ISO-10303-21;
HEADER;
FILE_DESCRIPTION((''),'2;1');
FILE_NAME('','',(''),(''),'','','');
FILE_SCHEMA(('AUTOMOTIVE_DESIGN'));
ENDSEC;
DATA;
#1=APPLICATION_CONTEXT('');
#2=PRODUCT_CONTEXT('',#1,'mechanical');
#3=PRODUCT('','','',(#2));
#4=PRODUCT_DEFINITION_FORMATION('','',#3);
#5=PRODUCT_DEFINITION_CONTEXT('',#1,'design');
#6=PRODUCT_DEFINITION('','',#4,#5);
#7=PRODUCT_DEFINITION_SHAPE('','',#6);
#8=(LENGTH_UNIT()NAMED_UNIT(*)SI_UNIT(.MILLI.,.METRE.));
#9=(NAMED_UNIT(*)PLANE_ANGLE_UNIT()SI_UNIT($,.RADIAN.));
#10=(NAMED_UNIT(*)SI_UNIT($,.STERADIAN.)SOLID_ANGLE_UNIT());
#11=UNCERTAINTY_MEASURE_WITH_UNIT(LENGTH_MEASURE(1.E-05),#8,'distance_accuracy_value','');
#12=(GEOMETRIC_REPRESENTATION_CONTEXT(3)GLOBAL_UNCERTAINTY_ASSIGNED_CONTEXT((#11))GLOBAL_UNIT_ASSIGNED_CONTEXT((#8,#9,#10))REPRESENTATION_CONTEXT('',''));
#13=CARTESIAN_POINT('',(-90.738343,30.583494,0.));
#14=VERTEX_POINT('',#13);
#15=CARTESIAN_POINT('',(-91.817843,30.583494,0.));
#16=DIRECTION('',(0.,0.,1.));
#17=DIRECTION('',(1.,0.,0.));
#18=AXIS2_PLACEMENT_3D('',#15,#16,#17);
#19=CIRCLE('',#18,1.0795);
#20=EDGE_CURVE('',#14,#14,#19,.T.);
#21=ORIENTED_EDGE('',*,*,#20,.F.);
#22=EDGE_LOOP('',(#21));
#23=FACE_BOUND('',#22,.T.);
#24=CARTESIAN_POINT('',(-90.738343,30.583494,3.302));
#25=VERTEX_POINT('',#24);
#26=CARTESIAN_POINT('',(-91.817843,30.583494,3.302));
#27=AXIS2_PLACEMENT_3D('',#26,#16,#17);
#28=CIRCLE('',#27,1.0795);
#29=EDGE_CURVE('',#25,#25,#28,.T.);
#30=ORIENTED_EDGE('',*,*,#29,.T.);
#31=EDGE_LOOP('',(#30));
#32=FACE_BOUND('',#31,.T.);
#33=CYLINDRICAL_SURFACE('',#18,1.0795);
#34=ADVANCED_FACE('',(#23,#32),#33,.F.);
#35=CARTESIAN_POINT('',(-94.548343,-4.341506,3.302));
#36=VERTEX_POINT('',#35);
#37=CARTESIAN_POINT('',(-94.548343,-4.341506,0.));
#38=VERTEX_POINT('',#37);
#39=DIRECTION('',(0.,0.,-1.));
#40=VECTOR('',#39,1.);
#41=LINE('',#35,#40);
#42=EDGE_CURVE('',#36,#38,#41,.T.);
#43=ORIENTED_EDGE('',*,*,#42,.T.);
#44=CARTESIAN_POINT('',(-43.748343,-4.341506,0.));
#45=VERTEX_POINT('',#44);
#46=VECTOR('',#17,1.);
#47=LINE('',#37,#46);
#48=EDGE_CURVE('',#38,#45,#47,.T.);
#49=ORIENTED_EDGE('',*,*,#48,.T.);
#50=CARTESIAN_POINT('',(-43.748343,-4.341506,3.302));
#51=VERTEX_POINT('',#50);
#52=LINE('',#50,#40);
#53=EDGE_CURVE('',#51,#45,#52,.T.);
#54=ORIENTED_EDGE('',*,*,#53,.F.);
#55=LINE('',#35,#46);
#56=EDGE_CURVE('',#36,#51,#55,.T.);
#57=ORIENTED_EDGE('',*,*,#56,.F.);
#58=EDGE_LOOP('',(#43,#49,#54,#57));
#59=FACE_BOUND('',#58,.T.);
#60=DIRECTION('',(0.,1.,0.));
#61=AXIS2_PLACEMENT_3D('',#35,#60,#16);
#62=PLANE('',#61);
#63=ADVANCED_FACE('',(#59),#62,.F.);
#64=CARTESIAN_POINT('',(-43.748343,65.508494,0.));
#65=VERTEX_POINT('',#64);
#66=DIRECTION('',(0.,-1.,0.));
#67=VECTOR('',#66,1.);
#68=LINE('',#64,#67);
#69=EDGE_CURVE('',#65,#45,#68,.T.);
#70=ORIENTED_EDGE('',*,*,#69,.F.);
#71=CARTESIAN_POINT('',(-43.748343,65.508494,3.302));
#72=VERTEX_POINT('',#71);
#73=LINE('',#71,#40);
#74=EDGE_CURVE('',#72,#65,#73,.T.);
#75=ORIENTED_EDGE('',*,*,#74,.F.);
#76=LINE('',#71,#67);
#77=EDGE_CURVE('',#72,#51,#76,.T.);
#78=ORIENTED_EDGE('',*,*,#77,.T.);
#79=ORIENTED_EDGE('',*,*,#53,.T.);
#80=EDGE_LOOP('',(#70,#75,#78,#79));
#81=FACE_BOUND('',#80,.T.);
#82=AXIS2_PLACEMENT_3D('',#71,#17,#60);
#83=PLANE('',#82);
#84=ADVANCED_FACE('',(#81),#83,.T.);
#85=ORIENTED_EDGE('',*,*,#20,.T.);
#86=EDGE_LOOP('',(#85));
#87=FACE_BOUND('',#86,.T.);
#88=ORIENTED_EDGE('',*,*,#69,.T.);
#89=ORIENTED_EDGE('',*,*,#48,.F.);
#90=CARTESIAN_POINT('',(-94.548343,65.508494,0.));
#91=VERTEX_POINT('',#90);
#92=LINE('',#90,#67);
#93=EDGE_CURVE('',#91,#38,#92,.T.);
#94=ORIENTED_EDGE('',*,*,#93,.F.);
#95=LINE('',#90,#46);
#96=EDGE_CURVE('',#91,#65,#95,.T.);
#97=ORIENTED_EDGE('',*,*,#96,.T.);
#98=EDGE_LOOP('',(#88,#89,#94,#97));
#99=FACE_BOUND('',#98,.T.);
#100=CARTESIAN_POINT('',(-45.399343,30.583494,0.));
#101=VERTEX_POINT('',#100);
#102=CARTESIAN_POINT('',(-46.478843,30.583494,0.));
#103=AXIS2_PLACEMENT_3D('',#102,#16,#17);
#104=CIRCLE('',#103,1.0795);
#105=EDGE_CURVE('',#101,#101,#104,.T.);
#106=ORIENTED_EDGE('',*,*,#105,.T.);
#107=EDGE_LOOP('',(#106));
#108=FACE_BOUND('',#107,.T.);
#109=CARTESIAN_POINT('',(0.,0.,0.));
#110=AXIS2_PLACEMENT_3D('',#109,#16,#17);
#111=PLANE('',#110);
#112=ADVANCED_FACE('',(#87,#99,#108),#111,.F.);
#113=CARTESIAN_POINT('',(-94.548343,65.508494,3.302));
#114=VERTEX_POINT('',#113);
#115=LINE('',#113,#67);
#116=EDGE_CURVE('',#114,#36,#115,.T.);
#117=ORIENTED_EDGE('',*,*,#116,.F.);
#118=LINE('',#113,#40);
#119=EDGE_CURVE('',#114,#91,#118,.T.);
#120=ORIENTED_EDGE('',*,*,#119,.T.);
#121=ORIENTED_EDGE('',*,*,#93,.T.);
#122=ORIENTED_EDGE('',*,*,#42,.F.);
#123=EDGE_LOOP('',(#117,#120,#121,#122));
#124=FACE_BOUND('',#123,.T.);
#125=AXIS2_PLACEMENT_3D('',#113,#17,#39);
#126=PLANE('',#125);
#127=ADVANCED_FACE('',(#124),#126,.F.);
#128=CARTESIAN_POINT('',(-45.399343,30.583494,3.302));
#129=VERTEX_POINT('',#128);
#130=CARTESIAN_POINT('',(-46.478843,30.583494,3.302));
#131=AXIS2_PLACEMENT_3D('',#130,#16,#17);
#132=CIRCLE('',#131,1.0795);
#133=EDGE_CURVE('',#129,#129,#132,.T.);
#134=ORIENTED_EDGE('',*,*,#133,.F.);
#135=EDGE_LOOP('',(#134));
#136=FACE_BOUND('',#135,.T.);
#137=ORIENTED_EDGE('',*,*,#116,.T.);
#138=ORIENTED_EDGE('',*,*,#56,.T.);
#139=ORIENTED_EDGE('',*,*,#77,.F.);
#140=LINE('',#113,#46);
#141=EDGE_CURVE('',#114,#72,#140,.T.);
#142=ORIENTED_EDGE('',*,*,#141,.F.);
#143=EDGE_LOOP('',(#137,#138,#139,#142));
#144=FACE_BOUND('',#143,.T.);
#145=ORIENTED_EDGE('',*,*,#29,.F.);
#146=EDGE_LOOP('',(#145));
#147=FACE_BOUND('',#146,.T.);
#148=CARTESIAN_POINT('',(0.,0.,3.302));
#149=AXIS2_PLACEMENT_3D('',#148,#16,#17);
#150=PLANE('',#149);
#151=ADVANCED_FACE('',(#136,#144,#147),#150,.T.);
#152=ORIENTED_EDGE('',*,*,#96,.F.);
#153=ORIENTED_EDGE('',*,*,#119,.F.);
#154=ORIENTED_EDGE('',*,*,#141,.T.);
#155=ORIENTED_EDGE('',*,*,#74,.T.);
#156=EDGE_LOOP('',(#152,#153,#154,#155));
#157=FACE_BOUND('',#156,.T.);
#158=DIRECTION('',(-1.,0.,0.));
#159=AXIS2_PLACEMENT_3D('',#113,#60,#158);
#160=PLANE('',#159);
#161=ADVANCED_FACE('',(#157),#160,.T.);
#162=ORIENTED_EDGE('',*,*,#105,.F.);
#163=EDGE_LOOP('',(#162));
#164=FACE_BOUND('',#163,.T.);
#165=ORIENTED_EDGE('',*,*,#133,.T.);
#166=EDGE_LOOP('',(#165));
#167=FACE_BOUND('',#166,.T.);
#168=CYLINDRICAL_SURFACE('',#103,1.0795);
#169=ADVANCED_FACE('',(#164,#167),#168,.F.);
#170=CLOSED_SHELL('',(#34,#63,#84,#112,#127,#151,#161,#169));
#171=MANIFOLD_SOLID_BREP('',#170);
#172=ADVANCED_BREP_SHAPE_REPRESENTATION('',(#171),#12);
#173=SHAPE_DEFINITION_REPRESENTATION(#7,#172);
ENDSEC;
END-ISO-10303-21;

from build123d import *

# Parameters (mm, degrees)
SKETCH1_W           = 50.8
SKETCH1_H           = 69.85
BOSS_EXTRUDE2_DEPTH = 3.302
SKETCH2_R           = 1.0795
CUT_EXTRUDE1_DEPTH  = 4.302


with BuildPart() as part:
    # Sketch1 → Boss-Extrude2 (new body)
    with BuildSketch(Plane.XY):
        with Locations((-69.148342541, 30.583494475)):
            Rectangle(SKETCH1_W, SKETCH1_H)
    extrude(amount=BOSS_EXTRUDE2_DEPTH)

    # Sketch2 → Cut-Extrude1 (cut, through all)
    with BuildSketch(Plane.XY.offset(3.302)):
        with Locations((-46.478842541, 30.583494475)):
            Circle(SKETCH2_R)
        with Locations((-91.817842541, 30.583494475)):
            Circle(SKETCH2_R)
    extrude(amount=-CUT_EXTRUDE1_DEPTH, mode=Mode.SUBTRACT)


solid = part.part
